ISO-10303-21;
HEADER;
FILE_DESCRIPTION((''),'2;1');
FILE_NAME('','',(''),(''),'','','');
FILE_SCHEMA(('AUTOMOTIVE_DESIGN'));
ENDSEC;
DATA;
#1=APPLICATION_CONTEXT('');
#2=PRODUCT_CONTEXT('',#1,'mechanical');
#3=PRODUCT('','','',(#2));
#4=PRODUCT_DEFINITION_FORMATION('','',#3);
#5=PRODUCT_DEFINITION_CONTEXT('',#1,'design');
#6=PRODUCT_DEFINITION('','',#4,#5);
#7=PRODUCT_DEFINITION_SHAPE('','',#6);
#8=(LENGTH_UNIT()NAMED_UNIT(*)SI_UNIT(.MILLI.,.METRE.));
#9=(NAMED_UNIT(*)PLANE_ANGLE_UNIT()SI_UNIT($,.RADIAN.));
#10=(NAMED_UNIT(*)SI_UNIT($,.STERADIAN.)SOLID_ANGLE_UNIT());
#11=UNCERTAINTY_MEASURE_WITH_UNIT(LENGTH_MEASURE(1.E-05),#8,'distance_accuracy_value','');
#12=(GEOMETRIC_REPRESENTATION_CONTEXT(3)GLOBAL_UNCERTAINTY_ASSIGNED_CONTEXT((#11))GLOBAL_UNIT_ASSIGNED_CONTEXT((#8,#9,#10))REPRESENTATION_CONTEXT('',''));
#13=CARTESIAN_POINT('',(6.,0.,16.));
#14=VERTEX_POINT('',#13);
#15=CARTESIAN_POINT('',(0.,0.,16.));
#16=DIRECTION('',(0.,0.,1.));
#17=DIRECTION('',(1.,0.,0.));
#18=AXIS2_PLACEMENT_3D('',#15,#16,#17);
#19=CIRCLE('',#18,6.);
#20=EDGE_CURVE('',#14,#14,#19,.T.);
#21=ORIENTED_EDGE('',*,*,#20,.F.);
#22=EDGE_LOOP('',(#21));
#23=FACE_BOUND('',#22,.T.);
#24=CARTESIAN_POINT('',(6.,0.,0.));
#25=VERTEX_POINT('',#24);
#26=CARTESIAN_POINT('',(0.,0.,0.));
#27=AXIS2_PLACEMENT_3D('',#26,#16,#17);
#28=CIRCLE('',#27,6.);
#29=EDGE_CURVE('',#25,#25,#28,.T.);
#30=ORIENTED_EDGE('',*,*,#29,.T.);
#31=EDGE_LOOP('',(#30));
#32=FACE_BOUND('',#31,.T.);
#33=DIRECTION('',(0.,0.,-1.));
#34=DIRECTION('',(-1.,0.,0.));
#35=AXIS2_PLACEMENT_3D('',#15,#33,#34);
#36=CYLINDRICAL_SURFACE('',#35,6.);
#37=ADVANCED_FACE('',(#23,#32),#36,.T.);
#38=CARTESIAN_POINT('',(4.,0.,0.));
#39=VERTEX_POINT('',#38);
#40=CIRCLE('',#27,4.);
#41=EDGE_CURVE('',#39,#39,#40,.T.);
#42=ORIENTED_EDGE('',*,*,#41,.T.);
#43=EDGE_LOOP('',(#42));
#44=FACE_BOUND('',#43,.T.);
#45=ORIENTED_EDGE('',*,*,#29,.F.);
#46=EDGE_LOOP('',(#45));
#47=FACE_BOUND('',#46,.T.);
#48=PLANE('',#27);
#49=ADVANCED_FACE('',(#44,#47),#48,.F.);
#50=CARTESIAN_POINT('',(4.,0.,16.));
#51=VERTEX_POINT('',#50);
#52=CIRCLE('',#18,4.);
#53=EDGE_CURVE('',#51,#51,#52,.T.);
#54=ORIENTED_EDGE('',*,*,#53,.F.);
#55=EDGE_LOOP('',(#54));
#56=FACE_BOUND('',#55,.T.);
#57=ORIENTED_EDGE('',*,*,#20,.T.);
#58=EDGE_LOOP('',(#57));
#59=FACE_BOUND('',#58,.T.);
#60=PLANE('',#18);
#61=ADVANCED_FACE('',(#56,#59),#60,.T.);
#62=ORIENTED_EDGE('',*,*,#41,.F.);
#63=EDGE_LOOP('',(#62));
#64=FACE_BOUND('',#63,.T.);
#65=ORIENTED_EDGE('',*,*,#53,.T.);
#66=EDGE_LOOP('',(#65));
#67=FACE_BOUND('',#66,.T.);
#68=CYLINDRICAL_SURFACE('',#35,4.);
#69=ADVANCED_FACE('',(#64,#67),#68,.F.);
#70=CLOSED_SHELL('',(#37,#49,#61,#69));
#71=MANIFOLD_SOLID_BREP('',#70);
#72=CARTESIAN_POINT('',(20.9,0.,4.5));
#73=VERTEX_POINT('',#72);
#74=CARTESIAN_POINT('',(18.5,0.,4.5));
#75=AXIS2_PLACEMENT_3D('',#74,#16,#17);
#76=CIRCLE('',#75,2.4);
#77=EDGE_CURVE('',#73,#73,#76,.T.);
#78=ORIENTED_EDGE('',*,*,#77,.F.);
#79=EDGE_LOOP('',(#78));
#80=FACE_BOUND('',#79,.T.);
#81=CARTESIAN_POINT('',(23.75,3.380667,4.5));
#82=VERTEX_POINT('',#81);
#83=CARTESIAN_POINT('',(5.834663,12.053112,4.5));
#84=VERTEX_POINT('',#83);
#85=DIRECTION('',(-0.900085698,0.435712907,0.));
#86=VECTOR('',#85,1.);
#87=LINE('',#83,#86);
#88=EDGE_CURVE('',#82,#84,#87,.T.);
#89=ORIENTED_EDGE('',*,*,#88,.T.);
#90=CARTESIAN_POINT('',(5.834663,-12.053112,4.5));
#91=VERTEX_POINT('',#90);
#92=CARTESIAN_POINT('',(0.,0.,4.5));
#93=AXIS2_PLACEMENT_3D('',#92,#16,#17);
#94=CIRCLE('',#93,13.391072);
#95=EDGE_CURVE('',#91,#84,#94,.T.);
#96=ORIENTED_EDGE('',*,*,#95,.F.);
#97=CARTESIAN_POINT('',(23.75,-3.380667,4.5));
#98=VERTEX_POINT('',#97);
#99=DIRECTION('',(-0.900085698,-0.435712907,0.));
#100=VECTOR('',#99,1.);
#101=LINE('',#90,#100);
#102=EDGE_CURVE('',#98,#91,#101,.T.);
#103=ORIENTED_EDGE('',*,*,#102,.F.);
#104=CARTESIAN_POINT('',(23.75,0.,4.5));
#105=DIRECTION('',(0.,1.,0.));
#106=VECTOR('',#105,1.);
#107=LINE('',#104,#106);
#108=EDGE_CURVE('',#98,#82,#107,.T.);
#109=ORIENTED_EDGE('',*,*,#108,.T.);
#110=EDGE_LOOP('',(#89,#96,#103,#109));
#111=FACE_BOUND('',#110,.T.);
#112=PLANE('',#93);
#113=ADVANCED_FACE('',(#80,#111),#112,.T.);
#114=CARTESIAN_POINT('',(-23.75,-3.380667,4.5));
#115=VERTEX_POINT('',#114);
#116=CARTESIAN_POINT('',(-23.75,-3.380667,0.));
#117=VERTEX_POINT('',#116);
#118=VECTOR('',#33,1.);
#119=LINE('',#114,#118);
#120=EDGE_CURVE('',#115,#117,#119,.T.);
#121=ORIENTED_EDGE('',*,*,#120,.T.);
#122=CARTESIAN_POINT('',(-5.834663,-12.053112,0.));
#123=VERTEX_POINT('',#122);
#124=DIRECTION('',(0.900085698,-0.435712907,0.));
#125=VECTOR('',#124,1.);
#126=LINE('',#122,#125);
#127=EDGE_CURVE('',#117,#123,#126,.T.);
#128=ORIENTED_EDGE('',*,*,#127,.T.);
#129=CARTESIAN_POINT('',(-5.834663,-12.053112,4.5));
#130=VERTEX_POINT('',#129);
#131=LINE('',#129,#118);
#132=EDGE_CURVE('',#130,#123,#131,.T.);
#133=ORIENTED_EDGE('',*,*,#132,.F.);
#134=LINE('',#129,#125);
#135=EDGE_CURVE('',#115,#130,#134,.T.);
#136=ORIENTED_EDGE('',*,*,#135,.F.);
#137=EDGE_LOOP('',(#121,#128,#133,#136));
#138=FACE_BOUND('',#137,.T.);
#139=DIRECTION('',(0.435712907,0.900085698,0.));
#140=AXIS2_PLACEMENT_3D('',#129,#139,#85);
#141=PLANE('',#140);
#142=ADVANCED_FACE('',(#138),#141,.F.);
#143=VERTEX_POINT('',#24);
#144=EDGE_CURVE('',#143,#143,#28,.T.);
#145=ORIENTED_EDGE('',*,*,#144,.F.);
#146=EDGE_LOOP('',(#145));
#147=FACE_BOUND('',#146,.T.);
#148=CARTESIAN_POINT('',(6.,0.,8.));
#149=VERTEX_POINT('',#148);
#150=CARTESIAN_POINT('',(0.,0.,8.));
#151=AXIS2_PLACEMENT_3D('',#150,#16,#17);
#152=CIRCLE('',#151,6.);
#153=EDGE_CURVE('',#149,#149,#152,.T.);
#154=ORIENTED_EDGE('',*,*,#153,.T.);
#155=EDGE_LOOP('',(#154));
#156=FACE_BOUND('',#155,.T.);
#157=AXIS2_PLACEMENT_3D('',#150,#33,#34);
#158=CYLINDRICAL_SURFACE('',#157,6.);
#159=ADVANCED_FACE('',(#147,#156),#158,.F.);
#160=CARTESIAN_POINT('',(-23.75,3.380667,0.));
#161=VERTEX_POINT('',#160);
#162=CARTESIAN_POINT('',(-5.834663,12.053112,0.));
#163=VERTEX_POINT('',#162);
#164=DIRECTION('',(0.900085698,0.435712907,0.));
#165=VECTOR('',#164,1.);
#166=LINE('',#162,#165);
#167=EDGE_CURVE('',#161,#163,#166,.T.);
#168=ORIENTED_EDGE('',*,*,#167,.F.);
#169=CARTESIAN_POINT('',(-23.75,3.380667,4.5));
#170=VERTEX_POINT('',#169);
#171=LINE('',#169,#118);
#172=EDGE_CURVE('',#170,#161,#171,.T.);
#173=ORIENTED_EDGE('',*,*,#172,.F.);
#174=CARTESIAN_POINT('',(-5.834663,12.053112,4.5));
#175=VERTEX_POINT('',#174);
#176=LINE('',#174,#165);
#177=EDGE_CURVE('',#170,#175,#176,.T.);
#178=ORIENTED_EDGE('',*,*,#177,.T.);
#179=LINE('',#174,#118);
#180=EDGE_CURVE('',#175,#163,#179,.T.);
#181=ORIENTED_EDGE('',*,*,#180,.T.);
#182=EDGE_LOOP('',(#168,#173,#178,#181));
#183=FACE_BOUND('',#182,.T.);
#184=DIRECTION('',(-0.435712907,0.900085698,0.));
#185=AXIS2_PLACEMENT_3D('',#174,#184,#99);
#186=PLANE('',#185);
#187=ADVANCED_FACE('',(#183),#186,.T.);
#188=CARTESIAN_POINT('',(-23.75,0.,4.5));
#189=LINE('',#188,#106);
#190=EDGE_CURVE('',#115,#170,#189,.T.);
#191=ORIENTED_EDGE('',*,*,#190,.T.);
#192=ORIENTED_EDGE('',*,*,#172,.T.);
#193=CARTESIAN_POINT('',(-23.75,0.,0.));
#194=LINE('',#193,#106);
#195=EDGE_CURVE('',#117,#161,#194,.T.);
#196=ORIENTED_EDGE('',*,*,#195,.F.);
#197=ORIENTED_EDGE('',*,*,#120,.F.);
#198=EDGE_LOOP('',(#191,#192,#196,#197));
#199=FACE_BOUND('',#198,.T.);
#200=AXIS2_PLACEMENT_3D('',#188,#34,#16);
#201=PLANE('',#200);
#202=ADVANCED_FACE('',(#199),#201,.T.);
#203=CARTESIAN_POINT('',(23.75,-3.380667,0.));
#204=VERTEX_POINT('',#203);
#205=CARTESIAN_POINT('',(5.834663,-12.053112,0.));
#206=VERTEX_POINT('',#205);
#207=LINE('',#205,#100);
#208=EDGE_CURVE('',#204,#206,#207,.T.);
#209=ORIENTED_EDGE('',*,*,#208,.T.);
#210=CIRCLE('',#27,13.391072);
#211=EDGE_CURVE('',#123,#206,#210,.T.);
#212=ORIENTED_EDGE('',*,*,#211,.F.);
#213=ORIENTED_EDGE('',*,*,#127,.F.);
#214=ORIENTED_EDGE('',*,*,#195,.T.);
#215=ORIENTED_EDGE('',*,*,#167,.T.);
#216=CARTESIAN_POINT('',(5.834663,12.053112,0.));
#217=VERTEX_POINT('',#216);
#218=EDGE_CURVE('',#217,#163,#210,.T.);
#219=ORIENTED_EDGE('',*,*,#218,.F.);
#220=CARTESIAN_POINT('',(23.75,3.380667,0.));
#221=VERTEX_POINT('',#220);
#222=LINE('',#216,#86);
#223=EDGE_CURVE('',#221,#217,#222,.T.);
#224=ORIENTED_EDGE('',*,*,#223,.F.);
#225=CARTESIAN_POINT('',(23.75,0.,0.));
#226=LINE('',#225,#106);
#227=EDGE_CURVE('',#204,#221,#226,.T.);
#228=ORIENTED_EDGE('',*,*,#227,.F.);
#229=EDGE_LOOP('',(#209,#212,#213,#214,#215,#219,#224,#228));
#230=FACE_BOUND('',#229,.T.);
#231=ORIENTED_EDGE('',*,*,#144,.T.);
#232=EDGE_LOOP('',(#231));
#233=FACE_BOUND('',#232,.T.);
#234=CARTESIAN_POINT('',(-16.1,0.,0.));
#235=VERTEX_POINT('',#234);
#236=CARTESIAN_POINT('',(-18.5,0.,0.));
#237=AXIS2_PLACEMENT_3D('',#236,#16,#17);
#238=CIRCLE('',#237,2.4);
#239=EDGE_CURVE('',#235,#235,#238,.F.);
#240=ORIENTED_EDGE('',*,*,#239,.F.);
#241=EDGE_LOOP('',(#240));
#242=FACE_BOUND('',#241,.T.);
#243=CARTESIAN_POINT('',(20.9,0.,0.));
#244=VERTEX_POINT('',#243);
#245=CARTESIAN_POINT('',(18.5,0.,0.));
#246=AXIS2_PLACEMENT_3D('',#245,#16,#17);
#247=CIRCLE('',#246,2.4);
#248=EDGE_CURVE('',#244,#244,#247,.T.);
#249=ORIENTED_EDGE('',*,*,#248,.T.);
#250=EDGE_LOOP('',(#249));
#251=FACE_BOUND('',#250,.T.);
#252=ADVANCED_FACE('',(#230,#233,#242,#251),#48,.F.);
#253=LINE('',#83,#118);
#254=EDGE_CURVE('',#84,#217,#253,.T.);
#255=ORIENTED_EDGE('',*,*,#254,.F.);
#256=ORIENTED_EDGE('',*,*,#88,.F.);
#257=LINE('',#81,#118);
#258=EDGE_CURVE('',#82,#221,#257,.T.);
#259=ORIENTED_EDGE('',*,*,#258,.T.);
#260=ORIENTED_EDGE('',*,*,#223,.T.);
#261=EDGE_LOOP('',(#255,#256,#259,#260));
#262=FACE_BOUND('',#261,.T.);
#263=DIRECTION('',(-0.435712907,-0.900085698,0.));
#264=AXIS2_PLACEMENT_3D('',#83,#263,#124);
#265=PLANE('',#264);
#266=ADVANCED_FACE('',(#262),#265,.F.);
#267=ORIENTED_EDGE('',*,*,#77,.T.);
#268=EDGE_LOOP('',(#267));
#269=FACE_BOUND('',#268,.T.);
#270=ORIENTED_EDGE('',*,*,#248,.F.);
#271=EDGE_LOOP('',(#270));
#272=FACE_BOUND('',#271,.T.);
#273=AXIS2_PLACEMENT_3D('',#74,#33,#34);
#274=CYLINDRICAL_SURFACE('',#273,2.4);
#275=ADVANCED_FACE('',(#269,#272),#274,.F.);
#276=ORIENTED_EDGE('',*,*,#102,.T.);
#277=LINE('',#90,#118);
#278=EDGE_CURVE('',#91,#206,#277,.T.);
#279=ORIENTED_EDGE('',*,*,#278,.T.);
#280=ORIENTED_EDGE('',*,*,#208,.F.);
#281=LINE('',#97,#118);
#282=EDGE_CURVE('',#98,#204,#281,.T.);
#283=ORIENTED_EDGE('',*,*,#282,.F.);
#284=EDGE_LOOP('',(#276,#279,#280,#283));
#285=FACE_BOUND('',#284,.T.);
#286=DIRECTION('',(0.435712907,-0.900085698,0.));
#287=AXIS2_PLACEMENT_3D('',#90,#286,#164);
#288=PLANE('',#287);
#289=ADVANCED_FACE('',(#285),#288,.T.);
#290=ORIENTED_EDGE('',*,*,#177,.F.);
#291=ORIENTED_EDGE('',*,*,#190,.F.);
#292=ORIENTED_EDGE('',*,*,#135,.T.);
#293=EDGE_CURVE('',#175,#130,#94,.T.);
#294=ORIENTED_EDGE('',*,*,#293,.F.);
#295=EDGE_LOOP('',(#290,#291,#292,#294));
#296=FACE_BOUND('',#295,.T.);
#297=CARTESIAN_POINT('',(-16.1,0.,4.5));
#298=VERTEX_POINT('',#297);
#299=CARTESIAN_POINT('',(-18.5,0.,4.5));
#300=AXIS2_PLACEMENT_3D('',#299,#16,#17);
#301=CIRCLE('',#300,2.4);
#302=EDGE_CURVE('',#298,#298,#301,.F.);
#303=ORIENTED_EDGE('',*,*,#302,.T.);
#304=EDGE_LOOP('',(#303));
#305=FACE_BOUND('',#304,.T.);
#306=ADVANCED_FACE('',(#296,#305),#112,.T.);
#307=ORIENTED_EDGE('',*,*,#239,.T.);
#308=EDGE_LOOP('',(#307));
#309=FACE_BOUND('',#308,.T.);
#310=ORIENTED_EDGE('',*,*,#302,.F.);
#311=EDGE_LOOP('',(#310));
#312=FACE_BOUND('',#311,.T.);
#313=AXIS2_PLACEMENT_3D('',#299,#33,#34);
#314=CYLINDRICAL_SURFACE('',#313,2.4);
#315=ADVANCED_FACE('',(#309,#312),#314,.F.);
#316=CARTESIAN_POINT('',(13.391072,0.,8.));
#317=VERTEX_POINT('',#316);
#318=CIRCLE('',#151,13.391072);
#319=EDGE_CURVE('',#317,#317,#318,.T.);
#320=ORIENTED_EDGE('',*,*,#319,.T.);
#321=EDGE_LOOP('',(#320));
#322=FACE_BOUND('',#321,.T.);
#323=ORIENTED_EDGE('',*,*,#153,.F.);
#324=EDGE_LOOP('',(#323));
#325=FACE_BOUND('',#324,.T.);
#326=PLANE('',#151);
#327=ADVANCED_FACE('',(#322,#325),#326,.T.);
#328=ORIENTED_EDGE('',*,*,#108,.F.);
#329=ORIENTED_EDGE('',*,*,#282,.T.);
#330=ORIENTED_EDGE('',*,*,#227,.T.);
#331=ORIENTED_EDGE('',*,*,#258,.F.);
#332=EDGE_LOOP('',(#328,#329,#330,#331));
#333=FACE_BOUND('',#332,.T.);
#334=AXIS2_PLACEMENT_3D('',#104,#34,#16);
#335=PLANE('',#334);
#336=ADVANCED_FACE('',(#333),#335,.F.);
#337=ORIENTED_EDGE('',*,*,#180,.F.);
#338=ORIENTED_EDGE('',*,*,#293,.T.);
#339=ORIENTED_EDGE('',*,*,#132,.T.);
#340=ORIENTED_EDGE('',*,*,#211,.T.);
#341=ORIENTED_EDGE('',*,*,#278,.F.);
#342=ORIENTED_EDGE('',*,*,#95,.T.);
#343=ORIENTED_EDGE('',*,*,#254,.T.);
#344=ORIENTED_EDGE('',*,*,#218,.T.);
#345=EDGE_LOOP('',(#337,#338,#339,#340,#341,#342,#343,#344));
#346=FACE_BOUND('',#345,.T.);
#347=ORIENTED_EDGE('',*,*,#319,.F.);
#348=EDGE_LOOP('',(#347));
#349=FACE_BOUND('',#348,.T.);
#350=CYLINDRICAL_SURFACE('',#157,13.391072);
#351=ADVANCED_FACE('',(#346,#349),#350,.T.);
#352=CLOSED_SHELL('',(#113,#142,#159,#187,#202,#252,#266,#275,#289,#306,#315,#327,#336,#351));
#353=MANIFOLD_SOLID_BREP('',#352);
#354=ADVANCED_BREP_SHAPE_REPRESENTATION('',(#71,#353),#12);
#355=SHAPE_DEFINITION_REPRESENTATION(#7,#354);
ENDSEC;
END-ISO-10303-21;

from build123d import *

# Parameters (mm, degrees)
SKETCH_1_R        = 2.4
EXTRUDE_1_DEPTH   = 4.5
EXTRUDE_1_2_DEPTH = 4.5
SKETCH_1_3_R      = 13.391071773
SKETCH_1_3_R_2    = 6
EXTRUDE_2_DEPTH   = 8
SKETCH_1_4_R      = 6
SKETCH_1_4_R_2    = 4
EXTRUDE_3_DEPTH   = 16


with BuildPart() as part:
    # 草图1 → 凸台-拉伸1 (new body)
    with BuildSketch(Plane.XY):
        with BuildLine():
            Line((5.83466248, -12.053112336), (23.75, -3.380667253))
            Line((23.75, -3.380667253), (23.75, 3.380667253))
            Line((23.75, 3.380667253), (5.834662804, 12.053112179))
            ThreePointArc((5.834662804, 12.053112179), (13.391071773, -1.8e-07), (5.83466248, -12.053112336))
        make_face()
        with Locations((18.5, 0)):
            Circle(SKETCH_1_R, mode=Mode.SUBTRACT)
    extrude(amount=EXTRUDE_1_DEPTH)



with BuildPart() as body_2:
    # 草图1 → Extrude 1 2 (new body)
    with BuildSketch(Plane.XY):
        with BuildLine():
            Line((-23.75, -3.380667253), (-5.834662541, -12.053112306))
            ThreePointArc((-5.834662541, -12.053112306), (-13.391071773, -1.46e-07), (-5.834662804, 12.053112179))
            Line((-5.834662804, 12.053112179), (-23.75, 3.380667253))
            Line((-23.75, 3.380667253), (-23.75, -3.380667253))
        make_face()
        with Locations((-18.5, 0)):
            Circle(SKETCH_1_R, mode=Mode.SUBTRACT)
    extrude(amount=EXTRUDE_1_2_DEPTH)


with BuildPart() as part_1:
    add(part.part)

    add(body_2.part)  # 凸台-拉伸2 merges body 2
    # 草图1<3> → 凸台-拉伸2 (add)
    with BuildSketch(Plane.XY):
        Circle(SKETCH_1_3_R)
        Circle(SKETCH_1_3_R_2, mode=Mode.SUBTRACT)
    extrude(amount=EXTRUDE_2_DEPTH)


with BuildPart() as body_2_2:
    # 草图1<4> → 凸台-拉伸3 (new body)
    with BuildSketch(Plane.XY):
        Circle(SKETCH_1_4_R)
        Circle(SKETCH_1_4_R_2, mode=Mode.SUBTRACT)
    extrude(amount=EXTRUDE_3_DEPTH)


solid = Compound([part_1.part, body_2_2.part])
